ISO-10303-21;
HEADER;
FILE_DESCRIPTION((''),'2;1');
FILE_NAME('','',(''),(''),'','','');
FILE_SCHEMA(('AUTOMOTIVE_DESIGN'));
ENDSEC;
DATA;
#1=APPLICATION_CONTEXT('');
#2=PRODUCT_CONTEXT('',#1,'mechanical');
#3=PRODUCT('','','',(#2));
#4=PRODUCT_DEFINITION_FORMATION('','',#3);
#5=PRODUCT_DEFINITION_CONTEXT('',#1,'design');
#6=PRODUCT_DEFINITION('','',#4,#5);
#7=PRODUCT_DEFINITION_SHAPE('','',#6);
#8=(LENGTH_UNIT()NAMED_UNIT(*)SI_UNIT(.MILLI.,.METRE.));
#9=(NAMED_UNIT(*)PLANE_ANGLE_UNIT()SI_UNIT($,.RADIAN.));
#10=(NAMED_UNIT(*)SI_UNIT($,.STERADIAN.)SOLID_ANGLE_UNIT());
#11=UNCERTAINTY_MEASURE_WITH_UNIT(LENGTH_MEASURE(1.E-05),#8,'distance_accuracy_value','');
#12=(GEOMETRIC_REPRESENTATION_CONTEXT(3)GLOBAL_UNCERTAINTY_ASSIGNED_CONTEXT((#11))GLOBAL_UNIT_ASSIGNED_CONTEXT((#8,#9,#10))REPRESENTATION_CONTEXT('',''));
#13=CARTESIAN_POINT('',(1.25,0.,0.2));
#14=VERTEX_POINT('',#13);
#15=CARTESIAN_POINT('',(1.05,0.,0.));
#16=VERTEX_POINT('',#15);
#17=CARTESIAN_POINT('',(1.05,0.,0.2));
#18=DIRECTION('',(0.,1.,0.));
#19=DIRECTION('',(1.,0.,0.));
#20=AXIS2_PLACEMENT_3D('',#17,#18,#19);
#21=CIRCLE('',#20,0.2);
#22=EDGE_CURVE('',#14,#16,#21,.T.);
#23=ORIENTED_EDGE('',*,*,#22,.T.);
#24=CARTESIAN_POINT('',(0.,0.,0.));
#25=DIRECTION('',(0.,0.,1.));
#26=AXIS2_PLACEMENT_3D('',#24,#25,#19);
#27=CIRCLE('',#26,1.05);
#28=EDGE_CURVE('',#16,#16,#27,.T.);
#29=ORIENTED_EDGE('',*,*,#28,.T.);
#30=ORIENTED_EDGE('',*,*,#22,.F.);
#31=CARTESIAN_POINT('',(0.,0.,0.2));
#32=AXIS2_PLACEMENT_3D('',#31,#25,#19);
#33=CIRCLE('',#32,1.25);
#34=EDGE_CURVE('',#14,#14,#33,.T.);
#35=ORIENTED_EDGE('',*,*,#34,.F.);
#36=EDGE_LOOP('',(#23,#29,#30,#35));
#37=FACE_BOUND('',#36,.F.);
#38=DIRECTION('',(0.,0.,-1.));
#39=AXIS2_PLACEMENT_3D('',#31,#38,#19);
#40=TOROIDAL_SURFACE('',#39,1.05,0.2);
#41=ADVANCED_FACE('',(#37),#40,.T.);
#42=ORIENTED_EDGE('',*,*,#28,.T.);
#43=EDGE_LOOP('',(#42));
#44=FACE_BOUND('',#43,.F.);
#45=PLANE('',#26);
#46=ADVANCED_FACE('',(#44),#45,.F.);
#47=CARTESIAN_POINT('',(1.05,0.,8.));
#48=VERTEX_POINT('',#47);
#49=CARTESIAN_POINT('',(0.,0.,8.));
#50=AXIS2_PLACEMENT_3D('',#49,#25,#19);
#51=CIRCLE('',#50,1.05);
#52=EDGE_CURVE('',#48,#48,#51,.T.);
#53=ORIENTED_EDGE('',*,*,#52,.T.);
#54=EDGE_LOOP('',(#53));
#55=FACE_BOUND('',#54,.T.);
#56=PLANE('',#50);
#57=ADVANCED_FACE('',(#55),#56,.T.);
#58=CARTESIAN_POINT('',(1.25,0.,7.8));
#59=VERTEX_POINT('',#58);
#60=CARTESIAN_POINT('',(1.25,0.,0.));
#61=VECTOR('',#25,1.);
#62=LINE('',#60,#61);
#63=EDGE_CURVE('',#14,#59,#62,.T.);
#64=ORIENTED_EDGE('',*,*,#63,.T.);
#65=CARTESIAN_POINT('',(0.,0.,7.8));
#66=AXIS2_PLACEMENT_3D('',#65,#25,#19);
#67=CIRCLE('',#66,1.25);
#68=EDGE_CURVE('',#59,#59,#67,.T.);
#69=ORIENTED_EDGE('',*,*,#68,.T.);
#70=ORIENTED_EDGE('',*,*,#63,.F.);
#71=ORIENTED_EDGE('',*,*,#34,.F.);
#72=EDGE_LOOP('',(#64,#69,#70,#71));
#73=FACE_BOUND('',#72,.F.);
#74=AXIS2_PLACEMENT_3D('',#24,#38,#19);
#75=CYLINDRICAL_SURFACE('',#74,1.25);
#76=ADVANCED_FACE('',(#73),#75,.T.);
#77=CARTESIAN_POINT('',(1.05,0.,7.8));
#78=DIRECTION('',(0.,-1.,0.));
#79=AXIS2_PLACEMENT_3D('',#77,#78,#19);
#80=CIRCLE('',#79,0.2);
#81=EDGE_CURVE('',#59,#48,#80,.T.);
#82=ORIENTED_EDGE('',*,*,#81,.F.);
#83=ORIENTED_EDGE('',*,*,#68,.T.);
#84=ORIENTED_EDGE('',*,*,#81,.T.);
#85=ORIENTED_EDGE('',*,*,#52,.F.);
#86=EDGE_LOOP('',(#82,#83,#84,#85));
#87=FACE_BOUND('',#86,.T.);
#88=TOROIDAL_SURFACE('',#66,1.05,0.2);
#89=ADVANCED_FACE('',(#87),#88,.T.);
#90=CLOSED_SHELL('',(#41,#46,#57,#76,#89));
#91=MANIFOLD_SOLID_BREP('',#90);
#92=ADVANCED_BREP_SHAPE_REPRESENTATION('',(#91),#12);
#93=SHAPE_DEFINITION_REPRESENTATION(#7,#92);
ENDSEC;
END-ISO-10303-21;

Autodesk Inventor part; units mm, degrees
ref_plane "YZ Plane" through (0, 0, 0) normal (1, 0, 0) x (0, 1, 0)
ref_plane "XZ Plane" through (0, 0, 0) normal (0, 1, 0) x (-1, 0, 0)
ref_plane "XY Plane" through (0, 0, 0) normal (0, 0, 1) x (1, 0, 0)
sketch "スケッチ1" plane through (0, 0, 0) normal (0, 0, 1) x (1, 0, 0)
  circle A0 centre (0, 0) radius 1.25
  dimension "d0" = 2.5
extrude "押し出し1" add sketch "スケッチ1" along normal blind 8
fillet "フィレット1" radius 0.2 2 edges at (-1.25, 0, 8) (-1.25, 0, 0)
properties part number "平行ピン　φ2.5　長さ8" material "ステンレス鋼"
